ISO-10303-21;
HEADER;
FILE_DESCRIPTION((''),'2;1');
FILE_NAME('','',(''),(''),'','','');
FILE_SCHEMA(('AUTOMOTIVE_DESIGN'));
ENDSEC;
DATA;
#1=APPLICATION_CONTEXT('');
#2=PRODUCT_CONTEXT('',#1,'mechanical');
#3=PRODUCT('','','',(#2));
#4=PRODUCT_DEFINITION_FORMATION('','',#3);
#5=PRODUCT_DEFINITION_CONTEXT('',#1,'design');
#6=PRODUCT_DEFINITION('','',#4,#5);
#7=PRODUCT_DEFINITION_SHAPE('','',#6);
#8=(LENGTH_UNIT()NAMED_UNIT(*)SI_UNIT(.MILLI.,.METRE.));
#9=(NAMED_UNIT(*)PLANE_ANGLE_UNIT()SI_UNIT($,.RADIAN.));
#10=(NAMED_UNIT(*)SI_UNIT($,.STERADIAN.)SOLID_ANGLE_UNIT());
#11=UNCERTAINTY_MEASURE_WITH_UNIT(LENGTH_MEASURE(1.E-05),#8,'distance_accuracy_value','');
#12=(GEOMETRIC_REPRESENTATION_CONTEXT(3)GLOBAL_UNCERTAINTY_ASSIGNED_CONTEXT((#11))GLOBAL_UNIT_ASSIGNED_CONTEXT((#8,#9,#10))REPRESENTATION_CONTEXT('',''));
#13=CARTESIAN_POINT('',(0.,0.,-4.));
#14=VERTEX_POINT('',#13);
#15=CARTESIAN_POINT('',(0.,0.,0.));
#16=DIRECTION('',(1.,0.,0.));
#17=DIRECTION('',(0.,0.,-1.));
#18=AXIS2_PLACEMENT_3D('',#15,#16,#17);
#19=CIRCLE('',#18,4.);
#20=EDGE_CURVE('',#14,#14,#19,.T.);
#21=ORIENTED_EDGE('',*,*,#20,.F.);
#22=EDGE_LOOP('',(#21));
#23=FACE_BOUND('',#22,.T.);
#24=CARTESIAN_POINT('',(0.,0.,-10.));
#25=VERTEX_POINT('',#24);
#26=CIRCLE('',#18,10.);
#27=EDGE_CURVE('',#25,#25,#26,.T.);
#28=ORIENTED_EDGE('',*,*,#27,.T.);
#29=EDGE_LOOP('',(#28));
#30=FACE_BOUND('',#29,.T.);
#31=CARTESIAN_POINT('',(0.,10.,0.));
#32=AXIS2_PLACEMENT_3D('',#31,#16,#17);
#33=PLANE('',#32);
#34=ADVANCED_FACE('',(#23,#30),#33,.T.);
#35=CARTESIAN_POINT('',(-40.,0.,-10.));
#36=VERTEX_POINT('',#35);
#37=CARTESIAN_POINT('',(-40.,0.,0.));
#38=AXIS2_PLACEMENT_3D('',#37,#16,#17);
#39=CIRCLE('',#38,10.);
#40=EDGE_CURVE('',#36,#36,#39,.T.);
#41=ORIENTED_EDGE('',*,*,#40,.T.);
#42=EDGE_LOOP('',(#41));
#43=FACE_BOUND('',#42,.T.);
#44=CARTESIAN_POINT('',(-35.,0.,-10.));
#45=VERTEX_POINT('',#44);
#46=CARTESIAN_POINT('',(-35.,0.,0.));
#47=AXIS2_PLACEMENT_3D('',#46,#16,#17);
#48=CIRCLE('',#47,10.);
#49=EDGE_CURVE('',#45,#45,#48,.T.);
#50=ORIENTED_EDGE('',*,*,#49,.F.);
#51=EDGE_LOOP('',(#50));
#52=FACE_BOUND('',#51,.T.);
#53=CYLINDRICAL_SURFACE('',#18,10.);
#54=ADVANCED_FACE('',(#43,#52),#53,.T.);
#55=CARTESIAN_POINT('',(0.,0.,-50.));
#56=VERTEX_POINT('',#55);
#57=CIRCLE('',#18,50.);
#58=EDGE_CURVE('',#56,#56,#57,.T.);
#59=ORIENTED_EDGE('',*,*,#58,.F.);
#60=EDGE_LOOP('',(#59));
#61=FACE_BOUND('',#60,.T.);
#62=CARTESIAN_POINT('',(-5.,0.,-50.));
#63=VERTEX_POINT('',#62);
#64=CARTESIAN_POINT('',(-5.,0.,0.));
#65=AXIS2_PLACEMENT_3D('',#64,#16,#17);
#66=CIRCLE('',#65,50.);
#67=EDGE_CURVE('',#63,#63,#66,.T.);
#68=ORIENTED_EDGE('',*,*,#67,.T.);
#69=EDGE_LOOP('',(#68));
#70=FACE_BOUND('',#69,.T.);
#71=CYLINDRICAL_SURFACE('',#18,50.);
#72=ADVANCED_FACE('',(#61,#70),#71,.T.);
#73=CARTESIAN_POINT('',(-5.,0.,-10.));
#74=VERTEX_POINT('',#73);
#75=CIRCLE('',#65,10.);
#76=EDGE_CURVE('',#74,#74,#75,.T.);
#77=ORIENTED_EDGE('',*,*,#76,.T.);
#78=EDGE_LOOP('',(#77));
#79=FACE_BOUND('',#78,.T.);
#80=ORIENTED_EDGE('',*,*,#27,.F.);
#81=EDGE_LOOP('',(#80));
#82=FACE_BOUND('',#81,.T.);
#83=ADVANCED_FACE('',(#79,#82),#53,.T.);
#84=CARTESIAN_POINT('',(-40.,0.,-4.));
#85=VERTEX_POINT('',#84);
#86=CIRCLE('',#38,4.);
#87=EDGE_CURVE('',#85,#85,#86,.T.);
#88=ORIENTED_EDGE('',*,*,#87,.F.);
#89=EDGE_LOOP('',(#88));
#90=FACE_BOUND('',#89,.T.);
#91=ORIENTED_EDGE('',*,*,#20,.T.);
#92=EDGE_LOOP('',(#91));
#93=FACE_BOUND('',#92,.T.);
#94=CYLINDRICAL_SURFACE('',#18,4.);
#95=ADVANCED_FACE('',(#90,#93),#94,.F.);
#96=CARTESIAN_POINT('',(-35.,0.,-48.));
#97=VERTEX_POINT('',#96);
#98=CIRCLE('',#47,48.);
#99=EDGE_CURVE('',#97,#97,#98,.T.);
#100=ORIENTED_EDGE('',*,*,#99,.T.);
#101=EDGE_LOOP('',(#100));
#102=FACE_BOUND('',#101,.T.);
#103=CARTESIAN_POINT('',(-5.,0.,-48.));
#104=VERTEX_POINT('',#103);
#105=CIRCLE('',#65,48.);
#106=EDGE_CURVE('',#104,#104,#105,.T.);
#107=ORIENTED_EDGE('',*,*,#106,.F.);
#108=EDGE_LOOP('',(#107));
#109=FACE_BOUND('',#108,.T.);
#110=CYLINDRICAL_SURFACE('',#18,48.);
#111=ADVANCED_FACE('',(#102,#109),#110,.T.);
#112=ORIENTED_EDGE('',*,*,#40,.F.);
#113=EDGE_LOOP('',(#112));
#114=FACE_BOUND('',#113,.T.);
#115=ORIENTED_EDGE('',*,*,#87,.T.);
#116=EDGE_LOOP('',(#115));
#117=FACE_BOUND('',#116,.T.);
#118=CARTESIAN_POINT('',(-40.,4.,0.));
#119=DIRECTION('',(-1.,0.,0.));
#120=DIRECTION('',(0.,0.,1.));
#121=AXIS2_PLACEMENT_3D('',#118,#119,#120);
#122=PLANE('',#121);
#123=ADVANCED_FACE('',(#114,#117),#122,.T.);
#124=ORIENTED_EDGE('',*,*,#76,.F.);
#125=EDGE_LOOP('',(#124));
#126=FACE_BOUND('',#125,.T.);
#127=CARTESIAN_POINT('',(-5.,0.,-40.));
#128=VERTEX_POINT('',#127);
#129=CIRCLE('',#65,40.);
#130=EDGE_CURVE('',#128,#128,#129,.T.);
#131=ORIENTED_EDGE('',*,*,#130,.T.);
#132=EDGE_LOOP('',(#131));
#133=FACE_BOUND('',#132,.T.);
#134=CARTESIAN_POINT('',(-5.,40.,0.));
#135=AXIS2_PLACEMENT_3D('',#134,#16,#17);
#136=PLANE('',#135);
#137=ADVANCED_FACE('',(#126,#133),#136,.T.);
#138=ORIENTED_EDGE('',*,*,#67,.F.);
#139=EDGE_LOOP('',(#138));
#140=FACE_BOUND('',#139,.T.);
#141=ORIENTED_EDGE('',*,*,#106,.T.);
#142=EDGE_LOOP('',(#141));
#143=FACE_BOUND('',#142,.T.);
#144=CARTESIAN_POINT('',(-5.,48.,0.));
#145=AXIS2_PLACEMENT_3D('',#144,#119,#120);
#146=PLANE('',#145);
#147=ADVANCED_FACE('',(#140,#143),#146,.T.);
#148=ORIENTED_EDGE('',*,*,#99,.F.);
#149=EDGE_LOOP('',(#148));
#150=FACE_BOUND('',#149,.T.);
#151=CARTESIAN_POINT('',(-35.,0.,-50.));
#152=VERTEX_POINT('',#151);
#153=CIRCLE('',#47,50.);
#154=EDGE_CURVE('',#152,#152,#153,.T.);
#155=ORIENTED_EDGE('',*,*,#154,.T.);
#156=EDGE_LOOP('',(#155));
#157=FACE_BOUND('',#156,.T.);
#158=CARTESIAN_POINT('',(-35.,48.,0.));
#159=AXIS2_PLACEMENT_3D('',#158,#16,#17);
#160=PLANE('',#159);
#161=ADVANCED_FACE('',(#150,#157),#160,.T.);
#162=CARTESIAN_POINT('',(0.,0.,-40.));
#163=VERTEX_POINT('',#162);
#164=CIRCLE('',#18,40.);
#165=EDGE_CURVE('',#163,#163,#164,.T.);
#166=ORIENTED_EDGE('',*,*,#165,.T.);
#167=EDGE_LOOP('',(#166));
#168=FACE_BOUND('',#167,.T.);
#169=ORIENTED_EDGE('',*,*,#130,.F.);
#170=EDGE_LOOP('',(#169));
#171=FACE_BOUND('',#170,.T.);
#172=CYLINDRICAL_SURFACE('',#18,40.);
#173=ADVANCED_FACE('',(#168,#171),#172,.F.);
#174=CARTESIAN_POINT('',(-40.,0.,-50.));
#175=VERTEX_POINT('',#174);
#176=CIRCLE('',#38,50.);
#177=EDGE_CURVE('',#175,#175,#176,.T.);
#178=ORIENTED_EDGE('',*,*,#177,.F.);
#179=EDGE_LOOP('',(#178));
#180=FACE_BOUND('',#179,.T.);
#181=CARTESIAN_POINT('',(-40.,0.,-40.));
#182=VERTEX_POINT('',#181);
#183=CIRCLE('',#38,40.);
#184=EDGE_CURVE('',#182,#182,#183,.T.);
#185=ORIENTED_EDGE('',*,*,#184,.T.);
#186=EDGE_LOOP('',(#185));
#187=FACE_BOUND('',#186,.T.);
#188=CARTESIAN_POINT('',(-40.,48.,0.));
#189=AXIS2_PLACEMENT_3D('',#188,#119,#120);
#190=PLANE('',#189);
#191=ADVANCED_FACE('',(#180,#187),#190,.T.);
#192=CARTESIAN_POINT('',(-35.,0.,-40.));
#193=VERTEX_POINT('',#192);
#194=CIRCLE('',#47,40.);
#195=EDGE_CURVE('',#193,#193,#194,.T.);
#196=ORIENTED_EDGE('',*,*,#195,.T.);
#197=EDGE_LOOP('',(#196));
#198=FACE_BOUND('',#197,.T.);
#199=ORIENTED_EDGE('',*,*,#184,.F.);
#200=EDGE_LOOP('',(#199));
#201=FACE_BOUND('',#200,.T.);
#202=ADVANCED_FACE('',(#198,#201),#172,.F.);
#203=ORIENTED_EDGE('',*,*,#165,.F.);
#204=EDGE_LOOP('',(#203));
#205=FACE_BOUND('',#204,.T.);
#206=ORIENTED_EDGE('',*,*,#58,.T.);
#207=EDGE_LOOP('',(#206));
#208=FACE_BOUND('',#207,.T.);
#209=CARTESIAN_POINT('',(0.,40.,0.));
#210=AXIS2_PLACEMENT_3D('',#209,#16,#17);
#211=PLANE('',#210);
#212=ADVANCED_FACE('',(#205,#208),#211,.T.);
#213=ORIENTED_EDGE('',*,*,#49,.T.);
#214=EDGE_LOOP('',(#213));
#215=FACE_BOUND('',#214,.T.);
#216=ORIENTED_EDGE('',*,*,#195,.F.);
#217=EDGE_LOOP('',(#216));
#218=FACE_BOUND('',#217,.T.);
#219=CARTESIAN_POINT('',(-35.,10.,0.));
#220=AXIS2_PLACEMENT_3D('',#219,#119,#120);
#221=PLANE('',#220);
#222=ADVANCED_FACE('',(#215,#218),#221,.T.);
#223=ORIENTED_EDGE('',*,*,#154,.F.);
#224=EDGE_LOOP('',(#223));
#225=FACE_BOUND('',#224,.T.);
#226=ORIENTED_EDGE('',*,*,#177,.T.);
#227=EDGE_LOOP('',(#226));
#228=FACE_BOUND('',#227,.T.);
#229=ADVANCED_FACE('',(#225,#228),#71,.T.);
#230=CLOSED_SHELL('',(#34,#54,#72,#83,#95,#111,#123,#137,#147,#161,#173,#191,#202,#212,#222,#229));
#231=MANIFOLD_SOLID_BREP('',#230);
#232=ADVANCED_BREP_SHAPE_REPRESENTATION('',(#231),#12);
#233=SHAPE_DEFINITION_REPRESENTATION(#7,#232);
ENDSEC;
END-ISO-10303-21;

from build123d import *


with BuildPart() as part:
    # Sketch1 → Revolve1 (revolve)
    with BuildSketch(Plane.XY, mode=Mode.PRIVATE) as revolve1_sk:
        Polygon((0, 4), (-40, 4), (-40, 10), (-35, 10), (-35, 40), (-40, 40), (-40, 48), (-40, 50), (-35, 50), (-35, 48), (-5, 48), (-5, 50), (0, 50), (0, 40), (-5, 40), (-5, 10), (0, 10), align=None)
    revolve(revolve1_sk.sketch.rotate(Axis((0, 0, 0), (-1, 0, 0)), 90), axis=Axis((0, 0, 0), (-1, 0, 0)))


solid = part.part
